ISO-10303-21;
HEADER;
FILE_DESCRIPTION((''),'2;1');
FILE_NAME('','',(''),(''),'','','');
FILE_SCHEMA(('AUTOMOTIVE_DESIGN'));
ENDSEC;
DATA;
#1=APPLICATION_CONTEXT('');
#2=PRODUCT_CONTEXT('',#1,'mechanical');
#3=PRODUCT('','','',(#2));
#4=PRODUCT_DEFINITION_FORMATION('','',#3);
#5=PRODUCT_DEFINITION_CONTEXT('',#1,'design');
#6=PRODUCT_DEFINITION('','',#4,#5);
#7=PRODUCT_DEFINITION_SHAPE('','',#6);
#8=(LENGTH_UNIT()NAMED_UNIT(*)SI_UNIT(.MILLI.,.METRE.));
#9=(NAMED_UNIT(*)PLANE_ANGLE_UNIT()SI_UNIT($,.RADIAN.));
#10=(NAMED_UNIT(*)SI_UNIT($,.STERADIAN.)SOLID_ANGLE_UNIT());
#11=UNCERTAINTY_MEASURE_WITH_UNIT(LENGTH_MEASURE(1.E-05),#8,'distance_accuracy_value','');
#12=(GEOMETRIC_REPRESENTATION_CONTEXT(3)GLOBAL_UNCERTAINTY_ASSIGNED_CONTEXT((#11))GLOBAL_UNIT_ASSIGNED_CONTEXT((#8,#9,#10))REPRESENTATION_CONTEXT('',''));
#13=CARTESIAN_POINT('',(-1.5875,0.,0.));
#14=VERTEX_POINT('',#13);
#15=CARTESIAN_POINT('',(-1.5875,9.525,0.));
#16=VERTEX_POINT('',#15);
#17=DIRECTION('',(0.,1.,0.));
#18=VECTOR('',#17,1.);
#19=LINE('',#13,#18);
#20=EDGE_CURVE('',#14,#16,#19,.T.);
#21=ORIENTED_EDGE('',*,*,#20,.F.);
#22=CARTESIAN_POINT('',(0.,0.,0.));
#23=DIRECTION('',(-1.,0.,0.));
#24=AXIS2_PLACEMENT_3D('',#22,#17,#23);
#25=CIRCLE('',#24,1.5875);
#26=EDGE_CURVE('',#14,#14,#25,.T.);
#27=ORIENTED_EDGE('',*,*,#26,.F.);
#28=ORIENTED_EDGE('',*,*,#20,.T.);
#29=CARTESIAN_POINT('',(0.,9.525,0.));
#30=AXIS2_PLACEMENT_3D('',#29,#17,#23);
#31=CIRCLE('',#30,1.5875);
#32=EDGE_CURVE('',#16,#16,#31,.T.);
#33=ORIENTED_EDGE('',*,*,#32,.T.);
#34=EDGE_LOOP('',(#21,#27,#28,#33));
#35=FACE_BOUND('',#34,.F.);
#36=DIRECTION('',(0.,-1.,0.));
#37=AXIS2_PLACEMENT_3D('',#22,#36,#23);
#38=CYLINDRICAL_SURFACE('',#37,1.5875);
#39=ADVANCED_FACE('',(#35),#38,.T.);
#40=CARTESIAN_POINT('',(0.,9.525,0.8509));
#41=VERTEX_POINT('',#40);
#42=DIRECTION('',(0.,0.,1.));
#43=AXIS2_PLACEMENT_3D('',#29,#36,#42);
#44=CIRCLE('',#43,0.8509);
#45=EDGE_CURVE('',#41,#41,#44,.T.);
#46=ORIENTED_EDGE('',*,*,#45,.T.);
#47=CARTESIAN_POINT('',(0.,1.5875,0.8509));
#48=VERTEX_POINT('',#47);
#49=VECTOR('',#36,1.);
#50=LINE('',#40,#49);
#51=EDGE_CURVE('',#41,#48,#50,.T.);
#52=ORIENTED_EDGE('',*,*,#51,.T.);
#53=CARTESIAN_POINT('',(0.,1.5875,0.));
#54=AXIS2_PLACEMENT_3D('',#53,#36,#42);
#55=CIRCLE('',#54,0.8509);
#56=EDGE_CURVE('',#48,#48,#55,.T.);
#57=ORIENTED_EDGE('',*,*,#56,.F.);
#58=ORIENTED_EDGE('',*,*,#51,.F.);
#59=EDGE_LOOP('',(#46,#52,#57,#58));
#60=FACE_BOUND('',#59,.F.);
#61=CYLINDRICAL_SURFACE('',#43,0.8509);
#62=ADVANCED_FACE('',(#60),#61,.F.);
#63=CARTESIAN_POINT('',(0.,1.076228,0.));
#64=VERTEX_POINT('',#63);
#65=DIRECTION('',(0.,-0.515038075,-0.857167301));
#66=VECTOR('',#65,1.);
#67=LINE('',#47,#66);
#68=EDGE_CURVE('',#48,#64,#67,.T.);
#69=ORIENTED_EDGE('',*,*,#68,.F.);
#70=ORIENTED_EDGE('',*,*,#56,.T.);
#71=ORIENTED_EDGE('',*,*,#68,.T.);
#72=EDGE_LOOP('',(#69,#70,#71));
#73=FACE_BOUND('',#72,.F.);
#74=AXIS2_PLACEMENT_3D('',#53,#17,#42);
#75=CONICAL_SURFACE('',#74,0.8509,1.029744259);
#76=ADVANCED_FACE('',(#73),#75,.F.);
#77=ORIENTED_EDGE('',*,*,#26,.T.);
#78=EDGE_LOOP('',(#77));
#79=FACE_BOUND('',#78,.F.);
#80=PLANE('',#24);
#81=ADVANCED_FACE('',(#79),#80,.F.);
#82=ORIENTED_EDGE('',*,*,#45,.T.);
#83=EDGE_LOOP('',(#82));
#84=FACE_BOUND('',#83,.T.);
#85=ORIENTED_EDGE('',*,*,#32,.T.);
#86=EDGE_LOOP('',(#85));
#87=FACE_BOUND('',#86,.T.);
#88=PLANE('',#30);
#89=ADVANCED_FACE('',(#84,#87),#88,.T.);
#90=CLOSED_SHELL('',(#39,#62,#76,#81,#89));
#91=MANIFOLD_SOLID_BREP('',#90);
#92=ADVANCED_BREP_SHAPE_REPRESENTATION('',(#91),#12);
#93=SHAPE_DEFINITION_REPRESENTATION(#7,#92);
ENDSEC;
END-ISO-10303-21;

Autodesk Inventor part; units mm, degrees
ref_plane "YZ Plane" through (0, 0, 0) normal (1, 0, 0) x (0, 1, 0)
ref_plane "XZ Plane" through (0, 0, 0) normal (0, 1, 0) x (-1, 0, 0)
ref_plane "XY Plane" through (0, 0, 0) normal (0, 0, 1) x (1, 0, 0)
sketch "Sketch1" plane through (0, 0, 0) normal (0, 1, 0) x (-1, 0, 0)
  circle A0 centre (0, 0) radius 1.5875
  dimension "d0" = 3.175
extrude "Extrusion1" add sketch "Sketch1" along normal blind 9.525
sketch "Sketch2" plane through (0, 9.525, 0) normal (0, 1, 0) x (1, 0, 0)
  point P0 (0, 0)
  point P1 (0, 0)
hole "Hole1" at (0, 9.525, 0) direction (0, -1, 0) diameter 1.7018 depth 7.9375 tip angle 118
properties part number "2-56_Tap"
